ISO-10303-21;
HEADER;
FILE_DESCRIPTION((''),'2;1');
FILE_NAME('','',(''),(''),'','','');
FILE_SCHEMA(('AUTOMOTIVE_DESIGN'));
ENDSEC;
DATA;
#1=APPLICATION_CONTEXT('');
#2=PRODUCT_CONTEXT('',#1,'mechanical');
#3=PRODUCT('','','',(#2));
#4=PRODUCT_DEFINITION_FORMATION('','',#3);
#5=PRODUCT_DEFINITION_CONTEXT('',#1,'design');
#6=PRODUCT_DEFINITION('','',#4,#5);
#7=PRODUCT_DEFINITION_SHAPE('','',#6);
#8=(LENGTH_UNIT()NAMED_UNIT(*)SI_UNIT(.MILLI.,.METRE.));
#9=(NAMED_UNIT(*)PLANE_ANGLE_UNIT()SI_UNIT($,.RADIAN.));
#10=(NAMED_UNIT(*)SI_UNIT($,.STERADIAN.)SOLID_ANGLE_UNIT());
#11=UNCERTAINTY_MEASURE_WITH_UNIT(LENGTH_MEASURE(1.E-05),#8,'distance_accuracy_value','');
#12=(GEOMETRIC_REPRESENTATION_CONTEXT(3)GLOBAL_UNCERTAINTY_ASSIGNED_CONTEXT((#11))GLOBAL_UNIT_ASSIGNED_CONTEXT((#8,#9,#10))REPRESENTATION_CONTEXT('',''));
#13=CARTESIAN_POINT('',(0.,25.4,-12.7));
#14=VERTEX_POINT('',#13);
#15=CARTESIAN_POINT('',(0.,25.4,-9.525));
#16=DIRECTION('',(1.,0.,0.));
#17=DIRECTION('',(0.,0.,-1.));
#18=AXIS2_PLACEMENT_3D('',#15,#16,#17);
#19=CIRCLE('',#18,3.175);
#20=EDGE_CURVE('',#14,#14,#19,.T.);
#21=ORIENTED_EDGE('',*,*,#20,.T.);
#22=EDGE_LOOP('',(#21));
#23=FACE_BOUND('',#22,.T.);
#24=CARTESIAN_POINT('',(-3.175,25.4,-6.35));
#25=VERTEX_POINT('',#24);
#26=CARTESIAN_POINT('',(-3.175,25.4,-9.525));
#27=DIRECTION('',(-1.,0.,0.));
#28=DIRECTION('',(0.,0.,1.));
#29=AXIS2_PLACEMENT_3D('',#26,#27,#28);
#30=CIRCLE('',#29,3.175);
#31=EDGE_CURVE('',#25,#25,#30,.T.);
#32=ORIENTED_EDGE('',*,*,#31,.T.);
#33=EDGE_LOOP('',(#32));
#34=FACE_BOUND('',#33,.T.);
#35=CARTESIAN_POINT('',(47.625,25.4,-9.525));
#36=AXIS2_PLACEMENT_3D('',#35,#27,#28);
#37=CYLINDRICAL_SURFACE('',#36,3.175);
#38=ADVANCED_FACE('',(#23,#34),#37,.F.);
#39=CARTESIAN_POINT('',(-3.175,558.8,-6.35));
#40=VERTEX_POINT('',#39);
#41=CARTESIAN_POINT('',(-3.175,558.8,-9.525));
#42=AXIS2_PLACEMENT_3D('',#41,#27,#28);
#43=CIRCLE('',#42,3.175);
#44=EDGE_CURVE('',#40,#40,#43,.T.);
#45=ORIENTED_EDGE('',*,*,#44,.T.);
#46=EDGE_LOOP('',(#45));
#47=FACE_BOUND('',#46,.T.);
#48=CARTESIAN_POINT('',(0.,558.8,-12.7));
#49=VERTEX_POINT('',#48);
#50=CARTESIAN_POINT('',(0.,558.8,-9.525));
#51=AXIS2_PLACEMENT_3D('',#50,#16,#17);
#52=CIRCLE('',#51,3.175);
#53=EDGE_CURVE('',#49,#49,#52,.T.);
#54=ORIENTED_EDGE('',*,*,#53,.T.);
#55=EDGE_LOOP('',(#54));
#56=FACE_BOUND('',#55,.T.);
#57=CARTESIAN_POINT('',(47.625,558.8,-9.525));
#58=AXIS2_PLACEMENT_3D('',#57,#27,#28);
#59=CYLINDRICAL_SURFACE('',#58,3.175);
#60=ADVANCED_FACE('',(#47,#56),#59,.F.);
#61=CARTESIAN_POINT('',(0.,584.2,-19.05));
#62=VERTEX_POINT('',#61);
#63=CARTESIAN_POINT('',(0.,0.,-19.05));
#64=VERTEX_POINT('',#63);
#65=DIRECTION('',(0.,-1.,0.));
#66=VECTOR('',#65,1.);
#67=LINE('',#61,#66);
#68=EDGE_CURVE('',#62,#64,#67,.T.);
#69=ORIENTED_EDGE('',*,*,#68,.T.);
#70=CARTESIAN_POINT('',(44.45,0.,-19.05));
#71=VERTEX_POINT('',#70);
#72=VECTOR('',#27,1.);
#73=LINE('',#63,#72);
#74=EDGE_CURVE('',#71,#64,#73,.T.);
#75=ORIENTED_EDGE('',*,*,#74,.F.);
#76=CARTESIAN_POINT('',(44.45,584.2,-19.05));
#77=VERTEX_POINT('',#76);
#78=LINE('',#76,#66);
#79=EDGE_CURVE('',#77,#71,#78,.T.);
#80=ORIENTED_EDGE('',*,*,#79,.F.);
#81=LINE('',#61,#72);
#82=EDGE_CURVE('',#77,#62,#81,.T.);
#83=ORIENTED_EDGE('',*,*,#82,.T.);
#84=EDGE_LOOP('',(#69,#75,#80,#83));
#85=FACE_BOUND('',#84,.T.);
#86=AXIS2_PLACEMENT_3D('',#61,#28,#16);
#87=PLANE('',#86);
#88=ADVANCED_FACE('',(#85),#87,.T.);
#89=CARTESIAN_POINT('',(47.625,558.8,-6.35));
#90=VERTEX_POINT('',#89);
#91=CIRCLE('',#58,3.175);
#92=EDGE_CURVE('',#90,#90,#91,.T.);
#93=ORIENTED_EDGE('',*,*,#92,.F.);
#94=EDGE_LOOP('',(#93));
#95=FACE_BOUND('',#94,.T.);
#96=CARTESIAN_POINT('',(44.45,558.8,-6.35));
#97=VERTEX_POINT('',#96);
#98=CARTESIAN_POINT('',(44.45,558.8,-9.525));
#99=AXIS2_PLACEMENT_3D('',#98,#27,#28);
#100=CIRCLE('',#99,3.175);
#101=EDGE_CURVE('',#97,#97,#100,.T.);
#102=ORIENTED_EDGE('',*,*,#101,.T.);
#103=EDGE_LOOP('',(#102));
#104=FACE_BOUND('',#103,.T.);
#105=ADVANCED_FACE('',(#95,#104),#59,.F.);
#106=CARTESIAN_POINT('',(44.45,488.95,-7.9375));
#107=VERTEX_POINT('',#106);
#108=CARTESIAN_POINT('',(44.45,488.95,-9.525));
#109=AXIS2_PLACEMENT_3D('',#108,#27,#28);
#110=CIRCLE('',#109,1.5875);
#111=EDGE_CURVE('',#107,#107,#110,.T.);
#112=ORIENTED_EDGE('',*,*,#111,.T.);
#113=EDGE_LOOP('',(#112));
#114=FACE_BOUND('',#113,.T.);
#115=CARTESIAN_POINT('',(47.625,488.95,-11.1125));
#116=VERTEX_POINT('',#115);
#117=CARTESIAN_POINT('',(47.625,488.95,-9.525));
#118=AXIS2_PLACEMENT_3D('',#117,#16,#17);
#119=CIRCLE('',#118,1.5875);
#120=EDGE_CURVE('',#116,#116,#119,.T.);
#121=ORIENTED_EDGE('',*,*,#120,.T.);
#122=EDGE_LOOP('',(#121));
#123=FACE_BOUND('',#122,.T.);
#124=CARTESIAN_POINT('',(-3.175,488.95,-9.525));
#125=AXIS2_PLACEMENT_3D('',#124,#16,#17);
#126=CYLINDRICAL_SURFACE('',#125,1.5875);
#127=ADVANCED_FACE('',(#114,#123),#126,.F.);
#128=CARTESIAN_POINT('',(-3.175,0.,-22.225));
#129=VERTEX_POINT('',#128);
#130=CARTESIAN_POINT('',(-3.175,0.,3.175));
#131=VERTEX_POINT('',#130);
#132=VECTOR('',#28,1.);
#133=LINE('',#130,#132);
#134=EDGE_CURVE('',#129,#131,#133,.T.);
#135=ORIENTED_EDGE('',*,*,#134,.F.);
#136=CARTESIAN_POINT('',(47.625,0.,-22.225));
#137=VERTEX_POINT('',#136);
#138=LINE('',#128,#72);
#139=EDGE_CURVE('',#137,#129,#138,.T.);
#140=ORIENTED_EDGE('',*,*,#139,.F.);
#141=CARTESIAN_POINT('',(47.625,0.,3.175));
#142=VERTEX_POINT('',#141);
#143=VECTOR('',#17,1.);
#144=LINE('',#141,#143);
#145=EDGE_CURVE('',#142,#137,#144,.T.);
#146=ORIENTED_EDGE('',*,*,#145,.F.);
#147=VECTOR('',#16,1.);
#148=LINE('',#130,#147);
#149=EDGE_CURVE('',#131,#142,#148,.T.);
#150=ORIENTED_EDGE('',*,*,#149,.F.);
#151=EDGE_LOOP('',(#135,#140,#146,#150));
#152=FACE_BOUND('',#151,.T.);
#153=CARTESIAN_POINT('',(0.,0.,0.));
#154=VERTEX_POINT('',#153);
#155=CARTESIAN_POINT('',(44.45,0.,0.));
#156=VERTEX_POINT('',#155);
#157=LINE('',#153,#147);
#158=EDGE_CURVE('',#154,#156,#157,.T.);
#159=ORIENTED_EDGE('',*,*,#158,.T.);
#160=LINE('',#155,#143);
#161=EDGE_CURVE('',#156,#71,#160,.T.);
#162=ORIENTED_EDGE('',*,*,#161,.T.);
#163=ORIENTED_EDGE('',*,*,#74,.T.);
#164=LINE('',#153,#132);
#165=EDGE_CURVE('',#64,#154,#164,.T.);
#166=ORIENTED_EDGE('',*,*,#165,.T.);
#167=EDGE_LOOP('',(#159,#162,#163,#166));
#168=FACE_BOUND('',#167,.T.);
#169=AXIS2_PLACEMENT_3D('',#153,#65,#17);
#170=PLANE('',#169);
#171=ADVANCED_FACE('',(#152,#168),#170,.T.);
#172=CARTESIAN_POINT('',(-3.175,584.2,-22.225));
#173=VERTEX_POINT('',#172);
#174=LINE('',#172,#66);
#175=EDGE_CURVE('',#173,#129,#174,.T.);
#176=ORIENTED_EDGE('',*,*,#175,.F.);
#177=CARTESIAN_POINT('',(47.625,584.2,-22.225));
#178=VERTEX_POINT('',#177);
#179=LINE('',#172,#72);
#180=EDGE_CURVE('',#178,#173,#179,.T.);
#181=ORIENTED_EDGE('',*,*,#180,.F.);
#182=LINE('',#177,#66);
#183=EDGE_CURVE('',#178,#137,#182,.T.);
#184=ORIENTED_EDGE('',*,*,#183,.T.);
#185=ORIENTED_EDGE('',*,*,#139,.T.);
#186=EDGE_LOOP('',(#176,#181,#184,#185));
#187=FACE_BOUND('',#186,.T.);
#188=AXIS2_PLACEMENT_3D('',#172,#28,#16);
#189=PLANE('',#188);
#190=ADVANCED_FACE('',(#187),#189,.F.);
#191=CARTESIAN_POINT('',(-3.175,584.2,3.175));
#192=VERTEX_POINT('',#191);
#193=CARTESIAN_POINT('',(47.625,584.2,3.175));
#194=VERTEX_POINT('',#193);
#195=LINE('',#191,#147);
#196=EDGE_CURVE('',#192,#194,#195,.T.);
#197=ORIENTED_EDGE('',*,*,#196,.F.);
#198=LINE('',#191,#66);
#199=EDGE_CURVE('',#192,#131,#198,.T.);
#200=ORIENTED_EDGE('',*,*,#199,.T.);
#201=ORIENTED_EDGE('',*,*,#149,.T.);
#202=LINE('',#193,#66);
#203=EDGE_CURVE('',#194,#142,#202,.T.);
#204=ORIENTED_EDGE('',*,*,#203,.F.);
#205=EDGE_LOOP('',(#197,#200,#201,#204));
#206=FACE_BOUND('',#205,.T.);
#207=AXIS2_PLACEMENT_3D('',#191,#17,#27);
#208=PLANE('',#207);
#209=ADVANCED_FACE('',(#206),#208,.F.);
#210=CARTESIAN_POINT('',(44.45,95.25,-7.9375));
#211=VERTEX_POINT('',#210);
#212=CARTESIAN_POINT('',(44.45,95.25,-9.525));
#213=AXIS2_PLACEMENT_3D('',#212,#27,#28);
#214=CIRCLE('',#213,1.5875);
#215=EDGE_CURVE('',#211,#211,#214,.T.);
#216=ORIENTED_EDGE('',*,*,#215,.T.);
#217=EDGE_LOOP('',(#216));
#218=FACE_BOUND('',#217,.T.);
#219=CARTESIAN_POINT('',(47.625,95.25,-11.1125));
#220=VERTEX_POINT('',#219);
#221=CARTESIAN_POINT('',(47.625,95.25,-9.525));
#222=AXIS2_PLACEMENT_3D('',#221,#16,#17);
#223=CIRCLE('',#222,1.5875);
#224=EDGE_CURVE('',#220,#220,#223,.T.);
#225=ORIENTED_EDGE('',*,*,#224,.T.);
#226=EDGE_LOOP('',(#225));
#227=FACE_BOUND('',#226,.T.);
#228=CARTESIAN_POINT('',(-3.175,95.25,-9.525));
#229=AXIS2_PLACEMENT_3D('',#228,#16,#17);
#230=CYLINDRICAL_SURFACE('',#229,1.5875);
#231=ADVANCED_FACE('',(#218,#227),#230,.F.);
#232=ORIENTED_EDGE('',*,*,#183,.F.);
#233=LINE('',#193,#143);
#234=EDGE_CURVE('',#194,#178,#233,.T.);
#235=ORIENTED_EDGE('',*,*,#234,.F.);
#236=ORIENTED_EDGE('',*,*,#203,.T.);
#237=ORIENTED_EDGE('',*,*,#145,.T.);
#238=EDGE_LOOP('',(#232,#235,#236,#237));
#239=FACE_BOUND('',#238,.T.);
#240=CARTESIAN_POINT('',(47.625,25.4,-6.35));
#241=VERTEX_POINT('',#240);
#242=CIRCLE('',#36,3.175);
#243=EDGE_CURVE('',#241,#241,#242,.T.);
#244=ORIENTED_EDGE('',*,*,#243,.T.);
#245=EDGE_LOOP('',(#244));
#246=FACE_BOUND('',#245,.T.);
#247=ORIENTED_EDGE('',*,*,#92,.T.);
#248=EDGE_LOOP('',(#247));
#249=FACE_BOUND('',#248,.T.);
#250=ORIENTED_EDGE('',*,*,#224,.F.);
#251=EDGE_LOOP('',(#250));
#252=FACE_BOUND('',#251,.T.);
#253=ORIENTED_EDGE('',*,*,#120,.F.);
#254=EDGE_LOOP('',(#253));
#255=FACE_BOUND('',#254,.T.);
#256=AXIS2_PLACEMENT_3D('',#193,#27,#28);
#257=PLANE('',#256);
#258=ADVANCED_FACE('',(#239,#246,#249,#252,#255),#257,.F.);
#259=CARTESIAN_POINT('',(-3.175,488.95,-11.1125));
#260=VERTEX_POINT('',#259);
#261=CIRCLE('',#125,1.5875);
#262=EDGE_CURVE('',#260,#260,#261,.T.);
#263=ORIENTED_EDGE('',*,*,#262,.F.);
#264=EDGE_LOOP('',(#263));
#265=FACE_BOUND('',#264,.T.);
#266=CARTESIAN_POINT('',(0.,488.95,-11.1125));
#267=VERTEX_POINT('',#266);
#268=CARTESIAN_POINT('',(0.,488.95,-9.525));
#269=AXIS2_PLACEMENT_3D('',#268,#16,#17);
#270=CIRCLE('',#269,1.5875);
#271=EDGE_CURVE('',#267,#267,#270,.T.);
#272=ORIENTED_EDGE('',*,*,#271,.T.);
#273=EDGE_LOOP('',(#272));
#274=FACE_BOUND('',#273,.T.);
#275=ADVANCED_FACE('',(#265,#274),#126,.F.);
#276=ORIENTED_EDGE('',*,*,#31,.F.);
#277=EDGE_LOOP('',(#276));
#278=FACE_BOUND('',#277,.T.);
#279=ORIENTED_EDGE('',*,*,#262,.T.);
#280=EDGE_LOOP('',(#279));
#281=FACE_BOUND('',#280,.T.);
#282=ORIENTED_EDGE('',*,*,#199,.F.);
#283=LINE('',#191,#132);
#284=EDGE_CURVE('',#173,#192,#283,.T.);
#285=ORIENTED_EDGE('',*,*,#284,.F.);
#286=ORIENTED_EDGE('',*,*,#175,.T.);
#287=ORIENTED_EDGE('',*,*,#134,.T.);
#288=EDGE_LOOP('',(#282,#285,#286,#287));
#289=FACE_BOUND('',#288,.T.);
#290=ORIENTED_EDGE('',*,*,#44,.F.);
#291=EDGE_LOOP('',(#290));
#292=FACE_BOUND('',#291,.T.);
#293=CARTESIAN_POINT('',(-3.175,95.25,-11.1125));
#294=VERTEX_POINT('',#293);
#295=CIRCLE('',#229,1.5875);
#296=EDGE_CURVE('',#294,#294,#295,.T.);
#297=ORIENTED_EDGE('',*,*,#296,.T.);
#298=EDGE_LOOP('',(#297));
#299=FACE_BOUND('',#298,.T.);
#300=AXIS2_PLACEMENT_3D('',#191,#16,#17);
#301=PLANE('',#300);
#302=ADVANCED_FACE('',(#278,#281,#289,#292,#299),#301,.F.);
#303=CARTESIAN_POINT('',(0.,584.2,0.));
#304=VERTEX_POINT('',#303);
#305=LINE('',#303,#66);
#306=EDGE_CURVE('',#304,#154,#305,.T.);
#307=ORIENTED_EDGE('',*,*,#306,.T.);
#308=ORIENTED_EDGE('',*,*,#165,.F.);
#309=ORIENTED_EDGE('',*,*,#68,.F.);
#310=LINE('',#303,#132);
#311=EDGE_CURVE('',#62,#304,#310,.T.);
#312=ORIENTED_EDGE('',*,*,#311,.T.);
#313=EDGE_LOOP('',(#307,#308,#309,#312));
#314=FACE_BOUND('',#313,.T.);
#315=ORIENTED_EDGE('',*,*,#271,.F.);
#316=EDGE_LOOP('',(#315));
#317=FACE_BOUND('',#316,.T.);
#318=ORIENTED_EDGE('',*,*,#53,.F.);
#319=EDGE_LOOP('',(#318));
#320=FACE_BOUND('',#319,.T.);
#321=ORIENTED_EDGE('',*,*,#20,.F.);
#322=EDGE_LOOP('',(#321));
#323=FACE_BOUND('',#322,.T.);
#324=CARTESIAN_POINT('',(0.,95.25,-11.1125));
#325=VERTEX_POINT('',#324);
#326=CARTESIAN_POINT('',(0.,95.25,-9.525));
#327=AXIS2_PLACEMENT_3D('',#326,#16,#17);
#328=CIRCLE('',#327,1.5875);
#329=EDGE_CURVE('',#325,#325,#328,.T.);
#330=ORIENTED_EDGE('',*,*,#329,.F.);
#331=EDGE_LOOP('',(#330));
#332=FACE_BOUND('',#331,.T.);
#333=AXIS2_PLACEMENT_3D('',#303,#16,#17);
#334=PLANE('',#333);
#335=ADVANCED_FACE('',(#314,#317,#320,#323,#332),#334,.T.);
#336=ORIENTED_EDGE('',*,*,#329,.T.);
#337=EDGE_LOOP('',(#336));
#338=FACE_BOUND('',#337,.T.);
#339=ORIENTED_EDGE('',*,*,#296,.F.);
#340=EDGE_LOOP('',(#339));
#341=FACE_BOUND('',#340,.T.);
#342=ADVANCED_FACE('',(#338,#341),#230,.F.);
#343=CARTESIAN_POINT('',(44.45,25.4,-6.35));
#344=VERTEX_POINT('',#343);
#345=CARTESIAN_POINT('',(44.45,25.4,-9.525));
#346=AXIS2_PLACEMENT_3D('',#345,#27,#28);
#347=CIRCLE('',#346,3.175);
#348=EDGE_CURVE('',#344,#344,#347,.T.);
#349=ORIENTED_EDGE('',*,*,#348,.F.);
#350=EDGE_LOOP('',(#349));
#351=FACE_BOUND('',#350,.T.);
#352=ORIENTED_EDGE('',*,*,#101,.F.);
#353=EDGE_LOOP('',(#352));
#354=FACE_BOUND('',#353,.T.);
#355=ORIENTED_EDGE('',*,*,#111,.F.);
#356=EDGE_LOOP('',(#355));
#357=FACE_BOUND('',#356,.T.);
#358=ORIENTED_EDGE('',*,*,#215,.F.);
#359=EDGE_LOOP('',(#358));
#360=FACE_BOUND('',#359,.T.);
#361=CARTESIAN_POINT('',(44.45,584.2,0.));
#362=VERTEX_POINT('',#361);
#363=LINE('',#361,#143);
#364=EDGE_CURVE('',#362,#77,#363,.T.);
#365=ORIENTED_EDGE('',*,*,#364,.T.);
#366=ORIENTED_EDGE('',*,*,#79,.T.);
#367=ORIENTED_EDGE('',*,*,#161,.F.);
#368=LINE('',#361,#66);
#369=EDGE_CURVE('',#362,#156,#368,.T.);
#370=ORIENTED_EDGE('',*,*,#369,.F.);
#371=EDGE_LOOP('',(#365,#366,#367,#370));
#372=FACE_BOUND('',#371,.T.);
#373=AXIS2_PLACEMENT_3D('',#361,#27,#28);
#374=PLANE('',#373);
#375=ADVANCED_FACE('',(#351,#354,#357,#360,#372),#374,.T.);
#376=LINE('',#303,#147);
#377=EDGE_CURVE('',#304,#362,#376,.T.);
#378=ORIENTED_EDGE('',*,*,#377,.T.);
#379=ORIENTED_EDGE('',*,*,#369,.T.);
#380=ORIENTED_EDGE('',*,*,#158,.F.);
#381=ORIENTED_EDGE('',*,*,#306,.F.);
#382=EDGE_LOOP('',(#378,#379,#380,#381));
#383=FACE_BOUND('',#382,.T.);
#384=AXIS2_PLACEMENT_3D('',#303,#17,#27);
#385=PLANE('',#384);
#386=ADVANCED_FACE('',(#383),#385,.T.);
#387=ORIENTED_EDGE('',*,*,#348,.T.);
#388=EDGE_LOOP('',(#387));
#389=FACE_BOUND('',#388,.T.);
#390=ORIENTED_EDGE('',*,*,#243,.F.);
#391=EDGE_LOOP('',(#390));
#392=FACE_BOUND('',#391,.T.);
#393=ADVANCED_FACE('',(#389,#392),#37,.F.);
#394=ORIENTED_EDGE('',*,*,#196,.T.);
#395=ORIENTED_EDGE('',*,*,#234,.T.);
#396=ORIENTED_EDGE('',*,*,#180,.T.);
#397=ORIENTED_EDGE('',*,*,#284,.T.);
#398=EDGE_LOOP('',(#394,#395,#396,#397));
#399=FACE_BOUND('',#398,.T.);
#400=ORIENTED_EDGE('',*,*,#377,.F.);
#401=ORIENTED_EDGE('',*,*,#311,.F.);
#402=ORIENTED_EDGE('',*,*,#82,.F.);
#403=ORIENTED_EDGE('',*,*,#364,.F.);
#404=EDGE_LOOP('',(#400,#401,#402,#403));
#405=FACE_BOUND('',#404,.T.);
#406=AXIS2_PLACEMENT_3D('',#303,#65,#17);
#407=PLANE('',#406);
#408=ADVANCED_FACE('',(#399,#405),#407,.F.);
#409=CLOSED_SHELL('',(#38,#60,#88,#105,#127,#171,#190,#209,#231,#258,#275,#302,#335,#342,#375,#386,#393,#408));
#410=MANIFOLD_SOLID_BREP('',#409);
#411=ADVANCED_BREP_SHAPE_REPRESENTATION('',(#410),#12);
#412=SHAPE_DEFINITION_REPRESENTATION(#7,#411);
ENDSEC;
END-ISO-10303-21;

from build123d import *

# Parameters (mm, degrees)
SKETCH1_W           = 50.8
SKETCH1_H           = 25.4
SKETCH1_W_2         = 44.45
SKETCH1_H_2         = 19.05
BOSS_EXTRUDE1_DEPTH = 584.2
SKETCH2_R           = 1.5875
CUT_EXTRUDE1_DEPTH  = 587.825553828
SKETCH3_R           = 3.175
CUT_EXTRUDE2_DEPTH  = 587.825553828


with BuildPart() as part:
    # Sketch1 → Boss-Extrude1 (new body)
    with BuildSketch(Plane(origin=(0, 0, 0), x_dir=(1, 0, 0), z_dir=(0, 1, 0))):
        with Locations((22.225, 9.525)):
            Rectangle(SKETCH1_W, SKETCH1_H)
        with Locations((22.225, 9.525)):
            Rectangle(SKETCH1_W_2, SKETCH1_H_2, mode=Mode.SUBTRACT)
    extrude(amount=BOSS_EXTRUDE1_DEPTH)

    # Sketch2 → Cut-Extrude1 (cut, through all)
    with BuildSketch(Plane(origin=(47.625, 0, 0), x_dir=(0, 0, -1), z_dir=(1, 0, 0))):
        with Locations((9.525, 95.25)):
            Circle(SKETCH2_R)
        with Locations((9.525, 488.95)):
            Circle(SKETCH2_R)
    extrude(amount=-CUT_EXTRUDE1_DEPTH, mode=Mode.SUBTRACT)

    # Sketch3 → Cut-Extrude2 (cut, through all)
    with BuildSketch(Plane.ZY.offset(3.175)):
        with Locations((-9.525, 25.4)):
            Circle(SKETCH3_R)
        with Locations((-9.525, 558.8)):
            Circle(SKETCH3_R)
    extrude(amount=-CUT_EXTRUDE2_DEPTH, mode=Mode.SUBTRACT)


solid = part.part
